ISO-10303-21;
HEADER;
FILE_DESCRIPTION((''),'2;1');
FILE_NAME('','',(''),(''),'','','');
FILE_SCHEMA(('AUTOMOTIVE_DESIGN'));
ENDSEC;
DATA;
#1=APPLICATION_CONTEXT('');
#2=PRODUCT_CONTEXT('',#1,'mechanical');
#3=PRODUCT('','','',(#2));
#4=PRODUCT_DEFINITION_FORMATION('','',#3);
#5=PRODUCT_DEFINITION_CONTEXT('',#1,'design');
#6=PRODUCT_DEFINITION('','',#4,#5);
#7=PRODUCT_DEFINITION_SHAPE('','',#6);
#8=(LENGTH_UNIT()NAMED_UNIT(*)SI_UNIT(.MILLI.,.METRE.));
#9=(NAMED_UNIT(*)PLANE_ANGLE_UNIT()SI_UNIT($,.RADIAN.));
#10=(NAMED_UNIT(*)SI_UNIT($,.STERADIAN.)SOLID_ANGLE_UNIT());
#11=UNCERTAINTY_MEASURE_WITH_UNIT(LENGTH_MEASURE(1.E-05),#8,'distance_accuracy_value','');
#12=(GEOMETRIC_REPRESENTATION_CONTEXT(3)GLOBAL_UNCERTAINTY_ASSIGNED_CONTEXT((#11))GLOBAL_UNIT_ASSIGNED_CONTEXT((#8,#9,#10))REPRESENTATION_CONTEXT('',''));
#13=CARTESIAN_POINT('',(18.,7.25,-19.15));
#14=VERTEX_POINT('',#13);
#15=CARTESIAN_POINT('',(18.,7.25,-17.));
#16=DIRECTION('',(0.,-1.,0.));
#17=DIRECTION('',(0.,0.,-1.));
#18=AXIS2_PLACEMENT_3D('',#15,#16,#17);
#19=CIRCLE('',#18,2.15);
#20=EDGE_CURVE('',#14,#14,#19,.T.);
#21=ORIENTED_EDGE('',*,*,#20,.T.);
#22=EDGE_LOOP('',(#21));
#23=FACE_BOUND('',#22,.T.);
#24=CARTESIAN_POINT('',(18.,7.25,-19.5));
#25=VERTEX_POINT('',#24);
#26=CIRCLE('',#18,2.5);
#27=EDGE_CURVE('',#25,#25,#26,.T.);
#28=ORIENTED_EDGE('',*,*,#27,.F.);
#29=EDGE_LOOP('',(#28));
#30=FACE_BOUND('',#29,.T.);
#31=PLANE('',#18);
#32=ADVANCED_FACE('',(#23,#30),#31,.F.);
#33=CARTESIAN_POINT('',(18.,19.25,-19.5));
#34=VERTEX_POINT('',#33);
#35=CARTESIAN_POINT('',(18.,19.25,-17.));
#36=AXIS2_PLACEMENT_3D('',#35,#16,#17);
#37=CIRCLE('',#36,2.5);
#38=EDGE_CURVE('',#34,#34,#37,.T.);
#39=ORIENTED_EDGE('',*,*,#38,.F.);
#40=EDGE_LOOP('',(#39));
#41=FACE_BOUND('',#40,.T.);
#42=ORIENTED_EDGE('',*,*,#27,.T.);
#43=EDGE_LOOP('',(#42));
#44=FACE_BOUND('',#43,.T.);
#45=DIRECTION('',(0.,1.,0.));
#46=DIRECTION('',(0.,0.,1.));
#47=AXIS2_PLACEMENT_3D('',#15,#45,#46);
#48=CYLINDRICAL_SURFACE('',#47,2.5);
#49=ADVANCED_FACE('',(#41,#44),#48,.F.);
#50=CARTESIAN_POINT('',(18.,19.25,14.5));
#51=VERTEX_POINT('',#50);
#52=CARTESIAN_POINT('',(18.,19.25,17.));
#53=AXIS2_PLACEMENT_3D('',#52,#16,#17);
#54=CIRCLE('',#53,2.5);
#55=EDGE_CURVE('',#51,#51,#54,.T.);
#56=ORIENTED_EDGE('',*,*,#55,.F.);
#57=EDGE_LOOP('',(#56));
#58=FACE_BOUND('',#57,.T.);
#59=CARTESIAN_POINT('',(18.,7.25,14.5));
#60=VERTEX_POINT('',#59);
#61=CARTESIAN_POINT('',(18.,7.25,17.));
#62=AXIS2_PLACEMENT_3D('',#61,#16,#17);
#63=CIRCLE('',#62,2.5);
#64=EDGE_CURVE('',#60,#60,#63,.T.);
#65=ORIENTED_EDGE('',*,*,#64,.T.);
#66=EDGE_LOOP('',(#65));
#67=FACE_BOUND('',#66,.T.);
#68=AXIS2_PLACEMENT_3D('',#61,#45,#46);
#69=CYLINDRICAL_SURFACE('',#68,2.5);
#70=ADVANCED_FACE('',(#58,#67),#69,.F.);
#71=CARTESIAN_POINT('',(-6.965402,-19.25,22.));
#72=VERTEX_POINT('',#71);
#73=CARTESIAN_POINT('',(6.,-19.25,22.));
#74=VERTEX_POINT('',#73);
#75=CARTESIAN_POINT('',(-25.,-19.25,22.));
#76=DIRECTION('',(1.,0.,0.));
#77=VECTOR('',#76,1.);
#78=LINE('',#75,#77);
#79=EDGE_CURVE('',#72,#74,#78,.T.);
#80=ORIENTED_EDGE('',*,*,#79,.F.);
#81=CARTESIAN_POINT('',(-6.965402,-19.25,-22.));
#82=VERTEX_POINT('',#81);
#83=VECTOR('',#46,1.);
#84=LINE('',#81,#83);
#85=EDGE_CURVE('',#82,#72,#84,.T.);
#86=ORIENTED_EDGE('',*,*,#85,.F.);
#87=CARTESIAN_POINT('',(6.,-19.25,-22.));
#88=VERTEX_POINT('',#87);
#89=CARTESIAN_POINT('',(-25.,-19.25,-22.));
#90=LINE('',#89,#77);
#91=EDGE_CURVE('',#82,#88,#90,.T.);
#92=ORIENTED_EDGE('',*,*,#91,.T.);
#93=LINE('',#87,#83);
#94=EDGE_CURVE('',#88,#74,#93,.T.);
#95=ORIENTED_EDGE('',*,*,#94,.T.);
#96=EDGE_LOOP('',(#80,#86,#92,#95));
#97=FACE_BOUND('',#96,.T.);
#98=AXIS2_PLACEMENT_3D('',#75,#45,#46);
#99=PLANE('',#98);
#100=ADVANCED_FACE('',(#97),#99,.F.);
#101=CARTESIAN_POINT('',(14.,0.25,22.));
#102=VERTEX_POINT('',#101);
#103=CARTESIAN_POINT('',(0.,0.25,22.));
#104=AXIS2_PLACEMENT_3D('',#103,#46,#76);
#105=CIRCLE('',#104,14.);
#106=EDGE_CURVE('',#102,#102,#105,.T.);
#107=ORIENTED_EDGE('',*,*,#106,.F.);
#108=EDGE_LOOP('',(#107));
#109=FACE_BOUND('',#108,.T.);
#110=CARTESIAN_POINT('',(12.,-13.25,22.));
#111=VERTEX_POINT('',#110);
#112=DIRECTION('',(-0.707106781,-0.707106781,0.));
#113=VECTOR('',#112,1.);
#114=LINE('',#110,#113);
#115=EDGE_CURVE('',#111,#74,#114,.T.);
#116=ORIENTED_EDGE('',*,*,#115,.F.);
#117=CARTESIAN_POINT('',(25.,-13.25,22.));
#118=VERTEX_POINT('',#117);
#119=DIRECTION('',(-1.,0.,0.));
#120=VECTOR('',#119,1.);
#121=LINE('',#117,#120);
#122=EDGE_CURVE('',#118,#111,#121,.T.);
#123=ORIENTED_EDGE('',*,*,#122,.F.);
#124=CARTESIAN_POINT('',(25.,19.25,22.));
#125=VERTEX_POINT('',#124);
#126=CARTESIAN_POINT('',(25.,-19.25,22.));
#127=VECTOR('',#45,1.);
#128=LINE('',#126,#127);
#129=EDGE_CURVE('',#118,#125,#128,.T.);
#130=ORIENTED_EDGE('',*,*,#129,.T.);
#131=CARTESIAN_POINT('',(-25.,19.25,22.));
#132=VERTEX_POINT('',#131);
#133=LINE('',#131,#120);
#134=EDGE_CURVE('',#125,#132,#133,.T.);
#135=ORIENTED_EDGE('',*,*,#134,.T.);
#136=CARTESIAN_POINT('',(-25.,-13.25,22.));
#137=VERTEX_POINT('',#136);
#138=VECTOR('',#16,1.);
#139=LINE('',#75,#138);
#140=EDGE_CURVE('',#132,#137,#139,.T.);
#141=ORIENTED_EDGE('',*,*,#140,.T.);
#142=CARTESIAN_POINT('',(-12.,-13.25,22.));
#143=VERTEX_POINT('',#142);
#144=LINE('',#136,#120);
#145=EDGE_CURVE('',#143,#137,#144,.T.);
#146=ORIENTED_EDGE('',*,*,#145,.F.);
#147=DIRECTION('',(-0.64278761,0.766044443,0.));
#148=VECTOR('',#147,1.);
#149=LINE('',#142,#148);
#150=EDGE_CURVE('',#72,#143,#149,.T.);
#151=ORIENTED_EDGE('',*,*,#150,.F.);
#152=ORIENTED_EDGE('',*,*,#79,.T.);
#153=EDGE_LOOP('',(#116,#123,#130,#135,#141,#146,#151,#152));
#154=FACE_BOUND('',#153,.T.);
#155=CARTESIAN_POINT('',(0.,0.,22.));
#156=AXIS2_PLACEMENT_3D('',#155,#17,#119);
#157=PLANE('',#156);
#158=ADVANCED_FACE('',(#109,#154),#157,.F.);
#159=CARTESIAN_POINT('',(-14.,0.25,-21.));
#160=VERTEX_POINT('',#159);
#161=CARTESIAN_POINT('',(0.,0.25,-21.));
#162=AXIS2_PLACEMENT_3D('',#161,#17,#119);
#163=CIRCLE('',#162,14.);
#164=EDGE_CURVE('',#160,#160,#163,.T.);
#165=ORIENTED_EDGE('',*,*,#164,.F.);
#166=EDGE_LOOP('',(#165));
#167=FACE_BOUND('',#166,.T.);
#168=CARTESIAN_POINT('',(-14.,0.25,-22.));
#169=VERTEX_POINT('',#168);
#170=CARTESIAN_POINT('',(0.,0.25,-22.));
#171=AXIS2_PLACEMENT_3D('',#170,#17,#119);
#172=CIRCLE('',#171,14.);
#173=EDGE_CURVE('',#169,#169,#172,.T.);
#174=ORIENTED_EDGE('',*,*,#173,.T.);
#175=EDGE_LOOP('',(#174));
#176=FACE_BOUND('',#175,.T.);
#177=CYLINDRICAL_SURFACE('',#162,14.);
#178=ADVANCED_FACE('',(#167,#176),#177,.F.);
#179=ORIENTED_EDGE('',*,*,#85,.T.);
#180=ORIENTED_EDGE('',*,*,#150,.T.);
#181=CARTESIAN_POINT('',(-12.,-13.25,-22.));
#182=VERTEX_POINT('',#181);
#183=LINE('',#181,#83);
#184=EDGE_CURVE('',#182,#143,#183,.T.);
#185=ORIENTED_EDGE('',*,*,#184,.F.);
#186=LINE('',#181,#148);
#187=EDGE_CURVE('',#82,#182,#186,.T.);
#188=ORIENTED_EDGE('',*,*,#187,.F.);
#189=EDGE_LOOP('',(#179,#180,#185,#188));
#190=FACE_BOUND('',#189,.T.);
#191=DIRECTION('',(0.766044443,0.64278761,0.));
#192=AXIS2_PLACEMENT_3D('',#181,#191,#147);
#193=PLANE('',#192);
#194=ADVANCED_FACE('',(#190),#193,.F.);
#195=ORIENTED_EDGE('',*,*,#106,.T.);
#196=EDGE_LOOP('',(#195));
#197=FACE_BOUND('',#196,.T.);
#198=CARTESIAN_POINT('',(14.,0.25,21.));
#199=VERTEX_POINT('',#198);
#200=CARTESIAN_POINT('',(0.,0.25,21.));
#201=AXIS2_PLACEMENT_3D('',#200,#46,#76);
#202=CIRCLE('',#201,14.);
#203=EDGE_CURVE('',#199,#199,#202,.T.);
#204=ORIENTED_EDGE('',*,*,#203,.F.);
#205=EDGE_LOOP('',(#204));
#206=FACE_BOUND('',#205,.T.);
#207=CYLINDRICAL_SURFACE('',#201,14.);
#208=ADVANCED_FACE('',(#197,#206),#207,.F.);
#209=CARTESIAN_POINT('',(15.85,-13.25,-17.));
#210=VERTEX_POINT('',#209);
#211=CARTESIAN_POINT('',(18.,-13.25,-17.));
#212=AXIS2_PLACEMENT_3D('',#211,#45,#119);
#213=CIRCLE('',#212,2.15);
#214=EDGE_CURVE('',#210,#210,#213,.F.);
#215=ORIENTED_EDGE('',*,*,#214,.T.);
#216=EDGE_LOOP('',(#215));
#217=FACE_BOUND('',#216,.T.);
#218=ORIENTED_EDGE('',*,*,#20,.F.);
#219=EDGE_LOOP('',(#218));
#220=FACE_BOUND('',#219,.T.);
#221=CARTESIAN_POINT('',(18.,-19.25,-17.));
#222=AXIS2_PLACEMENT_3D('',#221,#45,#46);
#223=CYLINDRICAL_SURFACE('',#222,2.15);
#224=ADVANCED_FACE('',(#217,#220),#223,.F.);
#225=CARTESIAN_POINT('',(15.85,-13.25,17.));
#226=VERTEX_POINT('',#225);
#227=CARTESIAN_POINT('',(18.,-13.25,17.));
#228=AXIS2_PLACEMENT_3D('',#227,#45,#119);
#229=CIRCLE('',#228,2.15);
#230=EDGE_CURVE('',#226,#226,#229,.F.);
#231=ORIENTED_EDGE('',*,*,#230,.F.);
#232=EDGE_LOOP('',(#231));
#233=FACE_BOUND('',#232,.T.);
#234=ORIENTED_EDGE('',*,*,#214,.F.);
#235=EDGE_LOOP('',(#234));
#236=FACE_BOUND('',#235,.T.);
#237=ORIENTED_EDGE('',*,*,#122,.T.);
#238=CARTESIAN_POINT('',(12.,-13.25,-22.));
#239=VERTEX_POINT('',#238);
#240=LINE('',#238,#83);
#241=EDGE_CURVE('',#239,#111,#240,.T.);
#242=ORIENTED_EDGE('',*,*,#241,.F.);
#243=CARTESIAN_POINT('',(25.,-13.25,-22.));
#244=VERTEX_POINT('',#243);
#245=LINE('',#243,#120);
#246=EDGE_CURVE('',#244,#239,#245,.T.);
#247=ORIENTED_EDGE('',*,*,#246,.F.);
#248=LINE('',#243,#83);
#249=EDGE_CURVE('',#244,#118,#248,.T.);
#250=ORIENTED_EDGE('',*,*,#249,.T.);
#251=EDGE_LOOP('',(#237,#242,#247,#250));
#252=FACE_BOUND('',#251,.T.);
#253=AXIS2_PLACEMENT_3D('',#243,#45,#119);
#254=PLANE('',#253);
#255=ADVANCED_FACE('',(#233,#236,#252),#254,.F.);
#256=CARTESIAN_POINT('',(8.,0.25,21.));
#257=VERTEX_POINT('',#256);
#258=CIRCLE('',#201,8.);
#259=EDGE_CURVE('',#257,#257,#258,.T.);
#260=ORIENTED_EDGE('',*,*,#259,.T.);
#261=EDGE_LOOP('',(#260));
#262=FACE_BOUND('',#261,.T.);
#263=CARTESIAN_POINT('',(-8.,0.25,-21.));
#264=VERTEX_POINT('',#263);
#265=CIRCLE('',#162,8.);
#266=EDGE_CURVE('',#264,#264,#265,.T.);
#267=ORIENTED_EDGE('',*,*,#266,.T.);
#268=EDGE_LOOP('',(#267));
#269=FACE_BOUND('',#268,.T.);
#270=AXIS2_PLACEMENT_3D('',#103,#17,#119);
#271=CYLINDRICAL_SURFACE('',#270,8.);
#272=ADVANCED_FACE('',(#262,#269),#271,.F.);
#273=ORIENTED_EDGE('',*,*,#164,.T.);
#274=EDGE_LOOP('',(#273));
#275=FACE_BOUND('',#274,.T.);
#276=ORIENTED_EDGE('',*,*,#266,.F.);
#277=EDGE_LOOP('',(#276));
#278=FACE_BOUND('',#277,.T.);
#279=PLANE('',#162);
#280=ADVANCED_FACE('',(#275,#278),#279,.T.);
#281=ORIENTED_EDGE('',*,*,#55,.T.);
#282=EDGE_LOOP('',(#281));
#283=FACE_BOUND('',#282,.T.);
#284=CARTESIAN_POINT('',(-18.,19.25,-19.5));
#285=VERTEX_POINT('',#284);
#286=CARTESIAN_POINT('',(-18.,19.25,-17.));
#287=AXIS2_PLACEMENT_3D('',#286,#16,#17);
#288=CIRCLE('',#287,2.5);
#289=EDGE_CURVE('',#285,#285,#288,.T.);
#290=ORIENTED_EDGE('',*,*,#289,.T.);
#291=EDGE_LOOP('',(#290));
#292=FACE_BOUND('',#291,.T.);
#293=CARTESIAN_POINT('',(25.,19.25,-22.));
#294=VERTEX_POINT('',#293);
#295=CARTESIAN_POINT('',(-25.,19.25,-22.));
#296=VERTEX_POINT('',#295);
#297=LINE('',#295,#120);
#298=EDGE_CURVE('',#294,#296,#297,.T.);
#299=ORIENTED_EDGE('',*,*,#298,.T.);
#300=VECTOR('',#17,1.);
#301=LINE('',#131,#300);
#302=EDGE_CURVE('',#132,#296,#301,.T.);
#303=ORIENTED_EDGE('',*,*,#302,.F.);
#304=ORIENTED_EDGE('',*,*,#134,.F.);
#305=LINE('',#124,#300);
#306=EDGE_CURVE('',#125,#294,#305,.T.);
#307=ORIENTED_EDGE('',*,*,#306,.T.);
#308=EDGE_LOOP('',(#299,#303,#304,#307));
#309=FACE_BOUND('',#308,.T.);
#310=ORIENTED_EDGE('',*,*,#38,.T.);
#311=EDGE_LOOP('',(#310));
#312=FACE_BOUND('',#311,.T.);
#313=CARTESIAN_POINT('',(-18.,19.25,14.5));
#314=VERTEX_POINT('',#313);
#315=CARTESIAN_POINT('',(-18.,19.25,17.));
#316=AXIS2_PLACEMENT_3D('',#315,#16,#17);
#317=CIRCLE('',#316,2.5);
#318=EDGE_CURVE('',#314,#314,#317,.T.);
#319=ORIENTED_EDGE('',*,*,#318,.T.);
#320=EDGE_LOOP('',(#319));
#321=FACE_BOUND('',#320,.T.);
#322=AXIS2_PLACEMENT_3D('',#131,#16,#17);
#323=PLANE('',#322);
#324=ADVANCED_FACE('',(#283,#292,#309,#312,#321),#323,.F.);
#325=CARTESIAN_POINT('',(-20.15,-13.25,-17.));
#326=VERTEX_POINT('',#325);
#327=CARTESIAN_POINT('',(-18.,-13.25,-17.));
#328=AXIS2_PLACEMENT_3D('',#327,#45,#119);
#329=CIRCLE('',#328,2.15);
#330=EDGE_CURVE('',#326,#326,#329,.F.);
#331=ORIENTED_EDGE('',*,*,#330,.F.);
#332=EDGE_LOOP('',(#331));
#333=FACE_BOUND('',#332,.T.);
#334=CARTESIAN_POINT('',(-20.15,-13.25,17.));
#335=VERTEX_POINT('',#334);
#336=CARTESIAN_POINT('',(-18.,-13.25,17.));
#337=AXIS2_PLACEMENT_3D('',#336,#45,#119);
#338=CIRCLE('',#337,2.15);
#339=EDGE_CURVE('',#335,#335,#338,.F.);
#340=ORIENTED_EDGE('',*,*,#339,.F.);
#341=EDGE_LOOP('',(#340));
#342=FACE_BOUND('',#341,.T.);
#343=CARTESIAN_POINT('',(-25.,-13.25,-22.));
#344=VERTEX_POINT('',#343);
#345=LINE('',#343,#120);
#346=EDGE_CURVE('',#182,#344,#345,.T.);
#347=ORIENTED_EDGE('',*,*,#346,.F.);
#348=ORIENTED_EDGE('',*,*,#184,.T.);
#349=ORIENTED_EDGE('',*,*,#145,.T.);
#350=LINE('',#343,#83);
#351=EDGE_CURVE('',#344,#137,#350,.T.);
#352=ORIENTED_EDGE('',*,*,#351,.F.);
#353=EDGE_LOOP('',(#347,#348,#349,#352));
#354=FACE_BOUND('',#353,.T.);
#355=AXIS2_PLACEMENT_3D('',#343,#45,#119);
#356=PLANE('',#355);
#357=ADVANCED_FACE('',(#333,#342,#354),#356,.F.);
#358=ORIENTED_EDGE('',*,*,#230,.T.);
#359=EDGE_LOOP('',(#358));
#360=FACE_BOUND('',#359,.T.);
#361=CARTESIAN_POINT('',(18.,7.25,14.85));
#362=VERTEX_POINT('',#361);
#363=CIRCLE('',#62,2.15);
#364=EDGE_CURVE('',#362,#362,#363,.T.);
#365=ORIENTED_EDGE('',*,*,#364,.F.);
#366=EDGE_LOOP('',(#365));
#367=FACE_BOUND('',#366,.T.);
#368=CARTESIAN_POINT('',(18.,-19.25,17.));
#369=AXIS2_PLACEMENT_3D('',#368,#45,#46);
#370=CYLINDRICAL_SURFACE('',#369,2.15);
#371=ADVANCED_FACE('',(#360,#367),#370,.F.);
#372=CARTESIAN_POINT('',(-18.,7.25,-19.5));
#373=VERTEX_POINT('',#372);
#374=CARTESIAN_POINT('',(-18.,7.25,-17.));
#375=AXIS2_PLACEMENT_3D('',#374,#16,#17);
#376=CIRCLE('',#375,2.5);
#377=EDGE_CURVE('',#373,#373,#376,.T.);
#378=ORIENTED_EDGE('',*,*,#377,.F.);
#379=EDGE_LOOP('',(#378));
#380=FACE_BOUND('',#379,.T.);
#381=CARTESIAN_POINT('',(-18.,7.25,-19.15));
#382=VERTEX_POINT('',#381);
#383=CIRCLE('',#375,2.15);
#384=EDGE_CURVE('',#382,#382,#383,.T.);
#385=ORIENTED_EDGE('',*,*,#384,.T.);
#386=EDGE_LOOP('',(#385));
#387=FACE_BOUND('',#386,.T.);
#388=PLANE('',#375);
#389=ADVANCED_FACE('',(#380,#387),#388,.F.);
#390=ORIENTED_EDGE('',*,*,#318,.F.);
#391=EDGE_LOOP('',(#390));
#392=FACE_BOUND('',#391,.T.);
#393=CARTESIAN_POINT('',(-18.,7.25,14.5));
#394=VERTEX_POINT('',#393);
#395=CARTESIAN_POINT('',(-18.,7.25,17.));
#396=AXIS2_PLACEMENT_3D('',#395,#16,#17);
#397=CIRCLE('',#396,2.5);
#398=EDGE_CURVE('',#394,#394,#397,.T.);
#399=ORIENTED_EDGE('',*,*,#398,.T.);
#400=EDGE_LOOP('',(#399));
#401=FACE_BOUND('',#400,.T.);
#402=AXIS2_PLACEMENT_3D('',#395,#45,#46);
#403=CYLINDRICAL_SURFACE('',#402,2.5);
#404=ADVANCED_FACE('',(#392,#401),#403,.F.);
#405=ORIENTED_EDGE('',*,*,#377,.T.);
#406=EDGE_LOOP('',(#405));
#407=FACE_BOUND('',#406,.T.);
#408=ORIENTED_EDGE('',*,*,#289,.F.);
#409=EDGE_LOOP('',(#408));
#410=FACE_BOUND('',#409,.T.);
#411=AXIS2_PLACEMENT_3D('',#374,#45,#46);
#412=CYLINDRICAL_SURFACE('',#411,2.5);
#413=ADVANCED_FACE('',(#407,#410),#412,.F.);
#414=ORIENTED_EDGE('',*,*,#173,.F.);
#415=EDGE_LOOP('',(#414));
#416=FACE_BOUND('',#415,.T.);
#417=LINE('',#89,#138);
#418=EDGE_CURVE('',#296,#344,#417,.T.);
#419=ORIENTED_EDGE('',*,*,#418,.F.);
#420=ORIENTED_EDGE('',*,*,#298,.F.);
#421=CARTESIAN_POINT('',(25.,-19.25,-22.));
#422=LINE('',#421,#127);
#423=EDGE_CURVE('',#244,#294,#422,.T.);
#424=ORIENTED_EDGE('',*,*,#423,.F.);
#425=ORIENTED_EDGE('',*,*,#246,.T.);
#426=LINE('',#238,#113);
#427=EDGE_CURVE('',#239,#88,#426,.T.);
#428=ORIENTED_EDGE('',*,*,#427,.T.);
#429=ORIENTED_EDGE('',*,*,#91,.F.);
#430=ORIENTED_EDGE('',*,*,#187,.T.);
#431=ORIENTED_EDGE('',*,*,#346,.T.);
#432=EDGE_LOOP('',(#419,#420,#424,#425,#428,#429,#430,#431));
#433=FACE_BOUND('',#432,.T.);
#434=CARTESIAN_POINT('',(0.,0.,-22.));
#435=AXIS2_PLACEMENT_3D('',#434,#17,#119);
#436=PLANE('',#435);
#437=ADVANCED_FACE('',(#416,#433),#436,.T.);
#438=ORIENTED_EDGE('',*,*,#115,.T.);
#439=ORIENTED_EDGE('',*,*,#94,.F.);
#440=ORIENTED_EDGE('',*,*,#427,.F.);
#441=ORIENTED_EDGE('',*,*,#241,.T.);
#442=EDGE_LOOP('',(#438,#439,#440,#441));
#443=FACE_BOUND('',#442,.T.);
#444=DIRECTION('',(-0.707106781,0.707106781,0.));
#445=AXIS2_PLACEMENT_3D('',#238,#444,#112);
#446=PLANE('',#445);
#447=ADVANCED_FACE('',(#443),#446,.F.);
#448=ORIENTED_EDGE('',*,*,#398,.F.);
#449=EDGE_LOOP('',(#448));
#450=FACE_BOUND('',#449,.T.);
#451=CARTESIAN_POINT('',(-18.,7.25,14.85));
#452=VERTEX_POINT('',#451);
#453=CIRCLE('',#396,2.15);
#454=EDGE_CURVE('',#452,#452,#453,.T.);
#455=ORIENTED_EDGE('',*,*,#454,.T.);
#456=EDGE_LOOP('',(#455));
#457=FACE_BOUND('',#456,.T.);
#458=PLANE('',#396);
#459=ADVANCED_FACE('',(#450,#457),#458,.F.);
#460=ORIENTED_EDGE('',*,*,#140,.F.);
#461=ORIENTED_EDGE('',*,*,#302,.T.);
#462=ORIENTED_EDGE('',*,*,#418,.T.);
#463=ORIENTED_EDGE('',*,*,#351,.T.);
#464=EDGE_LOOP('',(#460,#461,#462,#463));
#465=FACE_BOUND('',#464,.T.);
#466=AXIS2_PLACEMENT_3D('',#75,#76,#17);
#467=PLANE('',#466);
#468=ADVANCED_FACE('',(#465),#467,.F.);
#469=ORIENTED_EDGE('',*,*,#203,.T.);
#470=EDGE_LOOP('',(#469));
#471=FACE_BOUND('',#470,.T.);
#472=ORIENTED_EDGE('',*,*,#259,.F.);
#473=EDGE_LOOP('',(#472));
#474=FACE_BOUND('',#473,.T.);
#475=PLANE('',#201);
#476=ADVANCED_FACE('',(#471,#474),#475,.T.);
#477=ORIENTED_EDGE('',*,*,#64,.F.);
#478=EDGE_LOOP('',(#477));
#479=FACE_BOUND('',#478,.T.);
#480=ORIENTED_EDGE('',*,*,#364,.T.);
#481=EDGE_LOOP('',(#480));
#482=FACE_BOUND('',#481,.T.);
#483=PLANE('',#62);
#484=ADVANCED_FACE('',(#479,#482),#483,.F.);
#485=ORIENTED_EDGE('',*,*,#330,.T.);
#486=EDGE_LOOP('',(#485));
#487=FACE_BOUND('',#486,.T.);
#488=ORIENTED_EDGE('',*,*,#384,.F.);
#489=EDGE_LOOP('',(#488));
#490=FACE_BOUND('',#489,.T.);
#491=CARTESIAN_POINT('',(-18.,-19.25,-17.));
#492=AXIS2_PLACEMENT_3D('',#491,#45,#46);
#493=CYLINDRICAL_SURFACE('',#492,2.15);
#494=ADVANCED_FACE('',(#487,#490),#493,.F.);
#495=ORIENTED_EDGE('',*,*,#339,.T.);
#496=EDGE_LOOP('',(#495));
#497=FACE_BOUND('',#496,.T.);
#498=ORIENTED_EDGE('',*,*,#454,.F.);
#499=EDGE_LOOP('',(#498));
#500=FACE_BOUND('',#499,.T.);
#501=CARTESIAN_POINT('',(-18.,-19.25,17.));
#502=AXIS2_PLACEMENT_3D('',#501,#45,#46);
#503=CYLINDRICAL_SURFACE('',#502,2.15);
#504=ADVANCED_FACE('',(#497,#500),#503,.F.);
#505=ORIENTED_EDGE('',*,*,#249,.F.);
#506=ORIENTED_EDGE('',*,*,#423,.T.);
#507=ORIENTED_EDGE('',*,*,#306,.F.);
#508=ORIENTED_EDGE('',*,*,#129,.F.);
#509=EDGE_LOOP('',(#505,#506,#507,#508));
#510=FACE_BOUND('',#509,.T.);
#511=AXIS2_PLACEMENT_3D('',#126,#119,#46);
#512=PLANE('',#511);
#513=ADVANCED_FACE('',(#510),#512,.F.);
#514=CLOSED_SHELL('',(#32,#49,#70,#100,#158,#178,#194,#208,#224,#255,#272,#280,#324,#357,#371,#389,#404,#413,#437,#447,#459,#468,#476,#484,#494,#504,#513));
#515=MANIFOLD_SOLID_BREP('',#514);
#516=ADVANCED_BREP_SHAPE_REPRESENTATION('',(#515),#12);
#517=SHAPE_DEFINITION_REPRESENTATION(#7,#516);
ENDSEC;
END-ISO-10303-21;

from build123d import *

# Parameters (mm, degrees)
SKETCH1_W           = 50
SKETCH1_H           = 38.5
SKETCH1_R           = 8
BOSS_EXTRUDE1_DEPTH = 22
CUT_EXTRUDE5_DEPTH  = 45
SKETCH2_R           = 2.15
CUT_EXTRUDE1_DEPTH  = 39.5
SKETCH3_R           = 2.5
CUT_EXTRUDE2_DEPTH  = 12
SKETCH4_R           = 14
CUT_EXTRUDE3_DEPTH  = 1
SKETCH5_R           = 14
CUT_EXTRUDE4_DEPTH  = 1


with BuildPart() as part:
    # Sketch1 → Boss-Extrude1 (new body, symmetric)
    with BuildSketch(Plane.XY):
        Rectangle(SKETCH1_W, SKETCH1_H)
        with Locations((0, 0.25)):
            Circle(SKETCH1_R, mode=Mode.SUBTRACT)
    extrude(amount=BOSS_EXTRUDE1_DEPTH, both=True)

    # Sketch6 → Cut-Extrude5 (cut, through all)
    with BuildSketch(Plane.XY.offset(22)):
        Polygon((-25, -13.25), (-12, -13.25), (-6.965402213, -19.25), (-25, -19.25), align=None)
        Polygon((25, -13.25), (12, -13.25), (6, -19.25), (25, -19.25), align=None)
    extrude(amount=-CUT_EXTRUDE5_DEPTH, mode=Mode.SUBTRACT)

    # Sketch2 → Cut-Extrude1 (cut, through all)
    with BuildSketch(Plane(origin=(0, 19.25, 0), x_dir=(-1, 0, 0), z_dir=(0, -1, 0))):
        with Locations((18, -17)):
            Circle(SKETCH2_R)
        with Locations((-18, -17)):
            Circle(SKETCH2_R)
        with Locations((-18, 17)):
            Circle(SKETCH2_R)
        with Locations((18, 17)):
            Circle(SKETCH2_R)
    extrude(amount=CUT_EXTRUDE1_DEPTH, mode=Mode.SUBTRACT)

    # Sketch3 → Cut-Extrude2 (cut)
    with BuildSketch(Plane.XZ.offset(-19.25)):
        with Locations((-18, 17)):
            Circle(SKETCH3_R)
        with Locations((18, 17)):
            Circle(SKETCH3_R)
        with Locations((18, -17)):
            Circle(SKETCH3_R)
        with Locations((-18, -17)):
            Circle(SKETCH3_R)
    extrude(amount=CUT_EXTRUDE2_DEPTH, mode=Mode.SUBTRACT)

    # Sketch4 → Cut-Extrude3 (cut)
    with BuildSketch(Plane.XY.offset(22)):
        with Locations((0, 0.25)):
            Circle(SKETCH4_R)
    extrude(amount=-CUT_EXTRUDE3_DEPTH, mode=Mode.SUBTRACT)

    # Sketch5 → Cut-Extrude4 (cut)
    with BuildSketch(Plane(origin=(0, 0, -22), x_dir=(-1, 0, 0), z_dir=(0, 0, -1))):
        with Locations((0, 0.25)):
            Circle(SKETCH5_R)
    extrude(amount=-CUT_EXTRUDE4_DEPTH, mode=Mode.SUBTRACT)


solid = part.part
